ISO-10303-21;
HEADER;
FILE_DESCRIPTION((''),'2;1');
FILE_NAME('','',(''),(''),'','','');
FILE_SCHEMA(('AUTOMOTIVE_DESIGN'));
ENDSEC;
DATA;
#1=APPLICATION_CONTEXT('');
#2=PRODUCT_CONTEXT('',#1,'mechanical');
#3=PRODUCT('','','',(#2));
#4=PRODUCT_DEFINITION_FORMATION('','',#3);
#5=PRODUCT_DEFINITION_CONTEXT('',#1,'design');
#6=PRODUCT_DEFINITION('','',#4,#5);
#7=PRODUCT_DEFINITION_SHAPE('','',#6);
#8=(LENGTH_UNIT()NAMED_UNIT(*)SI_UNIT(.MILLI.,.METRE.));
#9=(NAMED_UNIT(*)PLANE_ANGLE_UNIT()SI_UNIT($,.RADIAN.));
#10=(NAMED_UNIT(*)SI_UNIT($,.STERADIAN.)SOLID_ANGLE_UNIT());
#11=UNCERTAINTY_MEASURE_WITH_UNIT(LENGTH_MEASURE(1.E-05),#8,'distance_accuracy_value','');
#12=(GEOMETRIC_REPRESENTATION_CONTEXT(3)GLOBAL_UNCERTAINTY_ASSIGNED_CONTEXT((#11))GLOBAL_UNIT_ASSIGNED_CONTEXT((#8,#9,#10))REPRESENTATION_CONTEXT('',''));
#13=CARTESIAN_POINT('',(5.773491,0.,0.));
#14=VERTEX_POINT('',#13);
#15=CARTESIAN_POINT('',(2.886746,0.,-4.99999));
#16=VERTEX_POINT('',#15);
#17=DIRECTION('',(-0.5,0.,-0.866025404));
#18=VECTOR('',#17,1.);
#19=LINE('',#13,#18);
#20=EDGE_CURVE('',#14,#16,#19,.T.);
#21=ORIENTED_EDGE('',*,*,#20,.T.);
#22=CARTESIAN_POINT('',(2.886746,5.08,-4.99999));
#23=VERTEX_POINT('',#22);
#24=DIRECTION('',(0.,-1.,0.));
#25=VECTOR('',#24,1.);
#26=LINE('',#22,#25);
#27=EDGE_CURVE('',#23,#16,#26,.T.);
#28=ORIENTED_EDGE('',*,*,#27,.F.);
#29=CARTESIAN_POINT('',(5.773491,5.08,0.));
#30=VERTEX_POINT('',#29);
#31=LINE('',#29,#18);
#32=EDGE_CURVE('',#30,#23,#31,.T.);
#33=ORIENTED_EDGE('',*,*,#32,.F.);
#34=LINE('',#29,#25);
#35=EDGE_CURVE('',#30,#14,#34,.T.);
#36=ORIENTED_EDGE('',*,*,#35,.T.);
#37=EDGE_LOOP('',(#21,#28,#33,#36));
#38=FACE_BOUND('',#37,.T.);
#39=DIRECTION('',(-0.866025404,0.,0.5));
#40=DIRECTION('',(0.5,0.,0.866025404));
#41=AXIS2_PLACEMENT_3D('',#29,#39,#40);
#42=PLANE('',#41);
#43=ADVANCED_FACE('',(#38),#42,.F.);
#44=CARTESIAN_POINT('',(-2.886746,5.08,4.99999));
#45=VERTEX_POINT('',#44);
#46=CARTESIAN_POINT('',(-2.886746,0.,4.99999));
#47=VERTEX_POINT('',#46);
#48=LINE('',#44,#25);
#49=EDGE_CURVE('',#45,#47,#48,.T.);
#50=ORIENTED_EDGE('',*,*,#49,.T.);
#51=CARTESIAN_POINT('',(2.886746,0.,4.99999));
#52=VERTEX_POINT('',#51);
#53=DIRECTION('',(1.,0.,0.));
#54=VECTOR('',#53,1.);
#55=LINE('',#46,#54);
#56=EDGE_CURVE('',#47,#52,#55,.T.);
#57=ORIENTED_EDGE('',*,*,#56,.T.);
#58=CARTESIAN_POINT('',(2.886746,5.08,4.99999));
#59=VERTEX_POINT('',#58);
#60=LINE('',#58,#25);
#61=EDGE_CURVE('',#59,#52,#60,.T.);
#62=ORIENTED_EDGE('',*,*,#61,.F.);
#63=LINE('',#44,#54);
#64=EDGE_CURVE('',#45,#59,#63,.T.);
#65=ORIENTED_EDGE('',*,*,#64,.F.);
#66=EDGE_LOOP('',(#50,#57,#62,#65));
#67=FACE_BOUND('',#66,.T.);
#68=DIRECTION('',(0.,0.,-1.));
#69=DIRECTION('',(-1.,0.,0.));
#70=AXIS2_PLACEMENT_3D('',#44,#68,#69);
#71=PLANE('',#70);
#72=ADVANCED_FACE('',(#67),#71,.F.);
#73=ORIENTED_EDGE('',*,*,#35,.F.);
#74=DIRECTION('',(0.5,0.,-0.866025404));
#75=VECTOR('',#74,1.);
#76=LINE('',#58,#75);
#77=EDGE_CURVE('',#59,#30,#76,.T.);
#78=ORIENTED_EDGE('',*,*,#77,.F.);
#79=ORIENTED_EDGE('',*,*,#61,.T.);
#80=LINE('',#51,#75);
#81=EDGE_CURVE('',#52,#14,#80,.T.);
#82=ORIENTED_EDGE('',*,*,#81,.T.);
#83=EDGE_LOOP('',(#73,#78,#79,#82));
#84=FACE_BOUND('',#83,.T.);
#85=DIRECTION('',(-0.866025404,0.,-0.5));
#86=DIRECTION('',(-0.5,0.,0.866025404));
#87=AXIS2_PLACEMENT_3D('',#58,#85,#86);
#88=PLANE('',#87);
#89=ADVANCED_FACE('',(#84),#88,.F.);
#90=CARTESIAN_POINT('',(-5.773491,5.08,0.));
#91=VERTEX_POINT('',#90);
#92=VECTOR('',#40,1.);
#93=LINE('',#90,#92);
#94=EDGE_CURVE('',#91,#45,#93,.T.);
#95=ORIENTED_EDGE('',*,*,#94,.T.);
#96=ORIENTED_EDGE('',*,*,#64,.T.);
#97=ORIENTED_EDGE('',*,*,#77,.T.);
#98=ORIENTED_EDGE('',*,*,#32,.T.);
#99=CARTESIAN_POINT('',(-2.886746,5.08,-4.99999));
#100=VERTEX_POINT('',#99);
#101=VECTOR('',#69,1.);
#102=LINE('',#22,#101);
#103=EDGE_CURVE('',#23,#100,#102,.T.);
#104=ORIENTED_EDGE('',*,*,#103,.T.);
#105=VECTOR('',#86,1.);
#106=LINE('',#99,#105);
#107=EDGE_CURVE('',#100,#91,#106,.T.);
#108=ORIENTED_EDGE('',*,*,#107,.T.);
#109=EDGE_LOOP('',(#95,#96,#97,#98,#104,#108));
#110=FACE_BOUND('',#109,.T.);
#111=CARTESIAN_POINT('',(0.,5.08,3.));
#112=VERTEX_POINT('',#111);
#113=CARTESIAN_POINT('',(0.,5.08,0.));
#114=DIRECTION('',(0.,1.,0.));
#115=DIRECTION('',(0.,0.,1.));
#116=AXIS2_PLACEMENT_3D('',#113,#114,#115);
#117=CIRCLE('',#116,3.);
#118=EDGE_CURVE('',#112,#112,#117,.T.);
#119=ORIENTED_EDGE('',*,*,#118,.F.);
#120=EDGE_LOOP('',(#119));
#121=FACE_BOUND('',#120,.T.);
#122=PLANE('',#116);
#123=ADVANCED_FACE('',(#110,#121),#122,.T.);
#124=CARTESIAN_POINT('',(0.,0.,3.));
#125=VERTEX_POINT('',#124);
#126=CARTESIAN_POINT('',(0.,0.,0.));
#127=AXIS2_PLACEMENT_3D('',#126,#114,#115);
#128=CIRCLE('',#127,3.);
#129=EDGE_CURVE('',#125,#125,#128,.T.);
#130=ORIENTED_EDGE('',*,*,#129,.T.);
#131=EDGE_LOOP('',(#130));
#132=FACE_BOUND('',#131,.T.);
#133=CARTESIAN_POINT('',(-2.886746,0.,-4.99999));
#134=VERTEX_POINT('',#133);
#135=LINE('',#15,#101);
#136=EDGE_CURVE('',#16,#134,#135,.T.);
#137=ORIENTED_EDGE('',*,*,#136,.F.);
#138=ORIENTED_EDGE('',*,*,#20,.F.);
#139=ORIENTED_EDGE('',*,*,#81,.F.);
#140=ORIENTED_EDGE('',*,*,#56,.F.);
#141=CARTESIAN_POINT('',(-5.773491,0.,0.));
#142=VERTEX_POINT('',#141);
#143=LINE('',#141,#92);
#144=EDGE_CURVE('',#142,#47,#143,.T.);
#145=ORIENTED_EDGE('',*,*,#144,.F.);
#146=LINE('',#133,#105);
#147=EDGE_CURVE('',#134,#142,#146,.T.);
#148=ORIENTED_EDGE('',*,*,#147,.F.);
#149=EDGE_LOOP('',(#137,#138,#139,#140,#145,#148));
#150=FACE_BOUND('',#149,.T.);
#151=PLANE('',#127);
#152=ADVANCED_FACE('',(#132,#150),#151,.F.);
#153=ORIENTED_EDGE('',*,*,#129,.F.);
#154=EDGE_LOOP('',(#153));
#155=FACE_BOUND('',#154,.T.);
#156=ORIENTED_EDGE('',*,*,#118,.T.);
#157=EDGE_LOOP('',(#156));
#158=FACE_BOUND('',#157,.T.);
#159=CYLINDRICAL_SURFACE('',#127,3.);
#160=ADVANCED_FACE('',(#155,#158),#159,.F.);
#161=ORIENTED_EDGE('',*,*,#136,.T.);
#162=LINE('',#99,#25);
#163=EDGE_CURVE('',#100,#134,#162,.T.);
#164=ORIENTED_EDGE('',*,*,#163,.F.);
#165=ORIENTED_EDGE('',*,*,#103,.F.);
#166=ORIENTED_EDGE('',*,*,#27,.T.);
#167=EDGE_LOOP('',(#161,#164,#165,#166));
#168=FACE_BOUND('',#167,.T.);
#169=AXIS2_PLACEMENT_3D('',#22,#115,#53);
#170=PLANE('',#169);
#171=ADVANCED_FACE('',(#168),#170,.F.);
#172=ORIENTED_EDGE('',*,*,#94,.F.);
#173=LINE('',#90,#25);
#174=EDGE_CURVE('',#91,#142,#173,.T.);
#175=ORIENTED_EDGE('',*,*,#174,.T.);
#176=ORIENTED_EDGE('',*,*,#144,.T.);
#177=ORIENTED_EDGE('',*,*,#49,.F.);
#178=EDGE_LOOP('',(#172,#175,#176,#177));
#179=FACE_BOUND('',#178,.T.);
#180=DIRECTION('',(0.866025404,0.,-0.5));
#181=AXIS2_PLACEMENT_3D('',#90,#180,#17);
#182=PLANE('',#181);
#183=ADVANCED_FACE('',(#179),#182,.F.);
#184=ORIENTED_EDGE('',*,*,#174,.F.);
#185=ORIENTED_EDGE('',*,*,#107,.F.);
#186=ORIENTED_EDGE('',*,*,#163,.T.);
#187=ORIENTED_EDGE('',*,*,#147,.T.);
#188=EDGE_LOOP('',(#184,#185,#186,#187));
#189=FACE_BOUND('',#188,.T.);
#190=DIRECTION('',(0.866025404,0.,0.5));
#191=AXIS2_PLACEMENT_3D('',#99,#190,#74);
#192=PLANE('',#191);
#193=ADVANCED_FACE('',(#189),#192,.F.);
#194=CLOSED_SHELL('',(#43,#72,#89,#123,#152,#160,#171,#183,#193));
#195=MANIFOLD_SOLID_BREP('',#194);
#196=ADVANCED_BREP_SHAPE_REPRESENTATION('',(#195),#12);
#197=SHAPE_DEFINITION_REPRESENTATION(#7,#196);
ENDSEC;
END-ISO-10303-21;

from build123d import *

# Parameters (mm, degrees)
BOSS_EXTRUDE1_DEPTH = 5.08
SKETCH2_R           = 3
CUT_EXTRUDE1_DEPTH  = 10.172758582


with BuildPart() as part:
    # Sketch1 → Boss-Extrude1 (new body)
    with BuildSketch(Plane(origin=(0, 0, 0), x_dir=(1, 0, 0), z_dir=(0, 1, 0))):
        Polygon((2.886745572, 4.99999), (-2.886745572, 4.99999), (-5.773491145, 0), (-2.886745572, -4.99999), (2.886745572, -4.99999), (5.773491145, 0), align=None)
    extrude(amount=BOSS_EXTRUDE1_DEPTH)

    # Sketch2 → Cut-Extrude1 (cut, through all)
    with BuildSketch(Plane(origin=(0, 5.08, 0), x_dir=(1, 0, 0), z_dir=(0, 1, 0))):
        with Locations(Location((0, 0, 0), (0, 0, 270))):
            Circle(SKETCH2_R)
    extrude(amount=-CUT_EXTRUDE1_DEPTH, mode=Mode.SUBTRACT)


solid = part.part
